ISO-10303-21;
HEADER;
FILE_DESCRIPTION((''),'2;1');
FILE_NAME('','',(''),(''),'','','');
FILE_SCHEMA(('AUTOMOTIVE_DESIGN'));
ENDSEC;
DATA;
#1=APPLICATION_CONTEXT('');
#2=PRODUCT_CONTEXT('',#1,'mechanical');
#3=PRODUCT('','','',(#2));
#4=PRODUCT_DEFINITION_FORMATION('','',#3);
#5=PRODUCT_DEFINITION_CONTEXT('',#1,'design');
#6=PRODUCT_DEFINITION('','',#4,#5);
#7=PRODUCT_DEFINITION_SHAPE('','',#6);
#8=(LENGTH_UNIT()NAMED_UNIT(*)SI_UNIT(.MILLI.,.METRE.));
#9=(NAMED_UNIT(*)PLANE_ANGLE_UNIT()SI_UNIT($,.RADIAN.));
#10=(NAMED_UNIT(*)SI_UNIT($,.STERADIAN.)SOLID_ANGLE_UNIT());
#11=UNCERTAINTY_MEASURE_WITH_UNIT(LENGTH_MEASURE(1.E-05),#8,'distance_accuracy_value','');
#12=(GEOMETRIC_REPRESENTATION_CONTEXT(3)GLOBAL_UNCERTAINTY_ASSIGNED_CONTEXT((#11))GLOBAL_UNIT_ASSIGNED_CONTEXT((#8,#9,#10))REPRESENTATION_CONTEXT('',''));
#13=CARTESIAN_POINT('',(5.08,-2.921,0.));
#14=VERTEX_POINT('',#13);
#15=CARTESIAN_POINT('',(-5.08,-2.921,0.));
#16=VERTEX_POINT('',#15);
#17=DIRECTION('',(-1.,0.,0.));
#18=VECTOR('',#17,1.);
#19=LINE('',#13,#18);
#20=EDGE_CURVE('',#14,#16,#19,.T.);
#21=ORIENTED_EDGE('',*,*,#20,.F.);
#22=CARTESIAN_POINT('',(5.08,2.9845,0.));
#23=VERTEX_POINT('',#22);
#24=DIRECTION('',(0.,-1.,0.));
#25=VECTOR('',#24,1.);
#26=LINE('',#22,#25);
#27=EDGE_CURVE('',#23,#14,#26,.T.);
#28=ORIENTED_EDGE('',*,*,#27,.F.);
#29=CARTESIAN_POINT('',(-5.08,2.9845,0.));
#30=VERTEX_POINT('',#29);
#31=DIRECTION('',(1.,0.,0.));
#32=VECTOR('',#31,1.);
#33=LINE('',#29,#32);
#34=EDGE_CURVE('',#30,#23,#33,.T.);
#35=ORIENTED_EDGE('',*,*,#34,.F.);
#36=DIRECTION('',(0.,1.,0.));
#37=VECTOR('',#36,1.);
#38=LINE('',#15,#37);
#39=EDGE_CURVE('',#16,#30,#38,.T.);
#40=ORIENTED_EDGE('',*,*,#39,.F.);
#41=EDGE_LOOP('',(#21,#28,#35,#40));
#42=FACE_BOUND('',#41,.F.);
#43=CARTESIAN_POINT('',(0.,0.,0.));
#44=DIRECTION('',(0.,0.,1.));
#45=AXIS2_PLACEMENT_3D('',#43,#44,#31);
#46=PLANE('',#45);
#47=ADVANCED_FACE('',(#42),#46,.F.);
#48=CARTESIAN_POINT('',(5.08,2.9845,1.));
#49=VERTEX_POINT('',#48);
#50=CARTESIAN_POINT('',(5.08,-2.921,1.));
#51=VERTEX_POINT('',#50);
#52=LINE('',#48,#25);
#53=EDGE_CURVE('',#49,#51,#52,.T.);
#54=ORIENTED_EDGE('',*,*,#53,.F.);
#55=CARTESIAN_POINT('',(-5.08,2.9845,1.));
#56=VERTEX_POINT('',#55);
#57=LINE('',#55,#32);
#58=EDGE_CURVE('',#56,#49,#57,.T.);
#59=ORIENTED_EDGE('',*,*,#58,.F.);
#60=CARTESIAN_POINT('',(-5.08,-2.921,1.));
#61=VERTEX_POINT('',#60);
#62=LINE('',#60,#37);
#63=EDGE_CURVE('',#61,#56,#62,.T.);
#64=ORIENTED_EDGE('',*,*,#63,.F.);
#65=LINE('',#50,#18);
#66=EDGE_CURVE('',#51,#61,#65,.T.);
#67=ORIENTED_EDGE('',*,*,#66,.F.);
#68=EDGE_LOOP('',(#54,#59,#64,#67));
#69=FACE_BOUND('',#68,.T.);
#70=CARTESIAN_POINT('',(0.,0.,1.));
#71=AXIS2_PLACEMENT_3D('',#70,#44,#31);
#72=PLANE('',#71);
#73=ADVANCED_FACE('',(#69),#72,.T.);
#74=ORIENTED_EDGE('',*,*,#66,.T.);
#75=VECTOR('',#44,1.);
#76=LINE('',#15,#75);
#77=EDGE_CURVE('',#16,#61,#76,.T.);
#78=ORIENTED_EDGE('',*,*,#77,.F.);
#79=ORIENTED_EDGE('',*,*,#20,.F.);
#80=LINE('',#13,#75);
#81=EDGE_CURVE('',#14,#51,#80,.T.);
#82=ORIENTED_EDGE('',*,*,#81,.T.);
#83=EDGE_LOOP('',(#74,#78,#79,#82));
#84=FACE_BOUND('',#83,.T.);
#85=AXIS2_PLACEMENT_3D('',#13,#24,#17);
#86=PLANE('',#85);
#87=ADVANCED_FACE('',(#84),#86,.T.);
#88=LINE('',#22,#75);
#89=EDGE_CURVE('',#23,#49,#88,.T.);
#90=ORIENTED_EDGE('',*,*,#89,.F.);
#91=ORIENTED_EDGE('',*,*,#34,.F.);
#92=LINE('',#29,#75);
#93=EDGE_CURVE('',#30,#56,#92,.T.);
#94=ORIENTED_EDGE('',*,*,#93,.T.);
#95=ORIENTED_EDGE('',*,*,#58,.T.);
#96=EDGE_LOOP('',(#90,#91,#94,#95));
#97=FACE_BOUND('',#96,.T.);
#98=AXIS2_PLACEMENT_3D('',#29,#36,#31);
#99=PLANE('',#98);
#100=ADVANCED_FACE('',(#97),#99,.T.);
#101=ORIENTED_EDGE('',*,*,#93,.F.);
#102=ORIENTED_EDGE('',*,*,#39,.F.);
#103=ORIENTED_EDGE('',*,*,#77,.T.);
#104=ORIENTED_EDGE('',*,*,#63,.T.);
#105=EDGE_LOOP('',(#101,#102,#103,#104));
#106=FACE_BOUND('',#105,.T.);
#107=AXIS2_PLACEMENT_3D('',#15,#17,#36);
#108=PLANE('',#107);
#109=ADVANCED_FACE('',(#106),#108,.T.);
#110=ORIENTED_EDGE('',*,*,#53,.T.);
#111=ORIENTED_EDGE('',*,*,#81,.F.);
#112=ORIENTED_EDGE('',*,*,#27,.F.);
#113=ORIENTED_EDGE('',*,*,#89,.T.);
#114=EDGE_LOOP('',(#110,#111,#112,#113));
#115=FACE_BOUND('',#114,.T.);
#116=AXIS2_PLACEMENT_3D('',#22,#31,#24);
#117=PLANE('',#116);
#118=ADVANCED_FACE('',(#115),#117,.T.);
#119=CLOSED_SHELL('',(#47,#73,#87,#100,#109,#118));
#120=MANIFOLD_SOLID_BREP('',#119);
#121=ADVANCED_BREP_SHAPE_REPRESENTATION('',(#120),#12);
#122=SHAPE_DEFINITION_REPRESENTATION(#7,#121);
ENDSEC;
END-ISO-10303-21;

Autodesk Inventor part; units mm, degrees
ref_plane "YZ Plane" through (0, 0, 0) normal (1, 0, 0) x (0, 1, 0)
ref_plane "XZ Plane" through (0, 0, 0) normal (0, 1, 0) x (-1, 0, 0)
ref_plane "XY Plane" through (0, 0, 0) normal (0, 0, 1) x (1, 0, 0)
sketch "6410-04, MAG_ACC_I2C_26" plane through (0, 0, 0) normal (0, 0, 1) x (1, 0, 0)
  line L0 (-5.08, 2.9845) -> (5.08, 2.9845)
  line L1 (5.08, 2.9845) -> (5.08, -2.921)
  line L2 (5.08, -2.921) -> (-5.08, -2.921)
  line L3 (-5.08, -2.921) -> (-5.08, 2.9845)
extrude "Extrusion1" add sketch "6410-04, MAG_ACC_I2C_26" along normal blind 1
properties part number "MAG_ACC_I2C"
